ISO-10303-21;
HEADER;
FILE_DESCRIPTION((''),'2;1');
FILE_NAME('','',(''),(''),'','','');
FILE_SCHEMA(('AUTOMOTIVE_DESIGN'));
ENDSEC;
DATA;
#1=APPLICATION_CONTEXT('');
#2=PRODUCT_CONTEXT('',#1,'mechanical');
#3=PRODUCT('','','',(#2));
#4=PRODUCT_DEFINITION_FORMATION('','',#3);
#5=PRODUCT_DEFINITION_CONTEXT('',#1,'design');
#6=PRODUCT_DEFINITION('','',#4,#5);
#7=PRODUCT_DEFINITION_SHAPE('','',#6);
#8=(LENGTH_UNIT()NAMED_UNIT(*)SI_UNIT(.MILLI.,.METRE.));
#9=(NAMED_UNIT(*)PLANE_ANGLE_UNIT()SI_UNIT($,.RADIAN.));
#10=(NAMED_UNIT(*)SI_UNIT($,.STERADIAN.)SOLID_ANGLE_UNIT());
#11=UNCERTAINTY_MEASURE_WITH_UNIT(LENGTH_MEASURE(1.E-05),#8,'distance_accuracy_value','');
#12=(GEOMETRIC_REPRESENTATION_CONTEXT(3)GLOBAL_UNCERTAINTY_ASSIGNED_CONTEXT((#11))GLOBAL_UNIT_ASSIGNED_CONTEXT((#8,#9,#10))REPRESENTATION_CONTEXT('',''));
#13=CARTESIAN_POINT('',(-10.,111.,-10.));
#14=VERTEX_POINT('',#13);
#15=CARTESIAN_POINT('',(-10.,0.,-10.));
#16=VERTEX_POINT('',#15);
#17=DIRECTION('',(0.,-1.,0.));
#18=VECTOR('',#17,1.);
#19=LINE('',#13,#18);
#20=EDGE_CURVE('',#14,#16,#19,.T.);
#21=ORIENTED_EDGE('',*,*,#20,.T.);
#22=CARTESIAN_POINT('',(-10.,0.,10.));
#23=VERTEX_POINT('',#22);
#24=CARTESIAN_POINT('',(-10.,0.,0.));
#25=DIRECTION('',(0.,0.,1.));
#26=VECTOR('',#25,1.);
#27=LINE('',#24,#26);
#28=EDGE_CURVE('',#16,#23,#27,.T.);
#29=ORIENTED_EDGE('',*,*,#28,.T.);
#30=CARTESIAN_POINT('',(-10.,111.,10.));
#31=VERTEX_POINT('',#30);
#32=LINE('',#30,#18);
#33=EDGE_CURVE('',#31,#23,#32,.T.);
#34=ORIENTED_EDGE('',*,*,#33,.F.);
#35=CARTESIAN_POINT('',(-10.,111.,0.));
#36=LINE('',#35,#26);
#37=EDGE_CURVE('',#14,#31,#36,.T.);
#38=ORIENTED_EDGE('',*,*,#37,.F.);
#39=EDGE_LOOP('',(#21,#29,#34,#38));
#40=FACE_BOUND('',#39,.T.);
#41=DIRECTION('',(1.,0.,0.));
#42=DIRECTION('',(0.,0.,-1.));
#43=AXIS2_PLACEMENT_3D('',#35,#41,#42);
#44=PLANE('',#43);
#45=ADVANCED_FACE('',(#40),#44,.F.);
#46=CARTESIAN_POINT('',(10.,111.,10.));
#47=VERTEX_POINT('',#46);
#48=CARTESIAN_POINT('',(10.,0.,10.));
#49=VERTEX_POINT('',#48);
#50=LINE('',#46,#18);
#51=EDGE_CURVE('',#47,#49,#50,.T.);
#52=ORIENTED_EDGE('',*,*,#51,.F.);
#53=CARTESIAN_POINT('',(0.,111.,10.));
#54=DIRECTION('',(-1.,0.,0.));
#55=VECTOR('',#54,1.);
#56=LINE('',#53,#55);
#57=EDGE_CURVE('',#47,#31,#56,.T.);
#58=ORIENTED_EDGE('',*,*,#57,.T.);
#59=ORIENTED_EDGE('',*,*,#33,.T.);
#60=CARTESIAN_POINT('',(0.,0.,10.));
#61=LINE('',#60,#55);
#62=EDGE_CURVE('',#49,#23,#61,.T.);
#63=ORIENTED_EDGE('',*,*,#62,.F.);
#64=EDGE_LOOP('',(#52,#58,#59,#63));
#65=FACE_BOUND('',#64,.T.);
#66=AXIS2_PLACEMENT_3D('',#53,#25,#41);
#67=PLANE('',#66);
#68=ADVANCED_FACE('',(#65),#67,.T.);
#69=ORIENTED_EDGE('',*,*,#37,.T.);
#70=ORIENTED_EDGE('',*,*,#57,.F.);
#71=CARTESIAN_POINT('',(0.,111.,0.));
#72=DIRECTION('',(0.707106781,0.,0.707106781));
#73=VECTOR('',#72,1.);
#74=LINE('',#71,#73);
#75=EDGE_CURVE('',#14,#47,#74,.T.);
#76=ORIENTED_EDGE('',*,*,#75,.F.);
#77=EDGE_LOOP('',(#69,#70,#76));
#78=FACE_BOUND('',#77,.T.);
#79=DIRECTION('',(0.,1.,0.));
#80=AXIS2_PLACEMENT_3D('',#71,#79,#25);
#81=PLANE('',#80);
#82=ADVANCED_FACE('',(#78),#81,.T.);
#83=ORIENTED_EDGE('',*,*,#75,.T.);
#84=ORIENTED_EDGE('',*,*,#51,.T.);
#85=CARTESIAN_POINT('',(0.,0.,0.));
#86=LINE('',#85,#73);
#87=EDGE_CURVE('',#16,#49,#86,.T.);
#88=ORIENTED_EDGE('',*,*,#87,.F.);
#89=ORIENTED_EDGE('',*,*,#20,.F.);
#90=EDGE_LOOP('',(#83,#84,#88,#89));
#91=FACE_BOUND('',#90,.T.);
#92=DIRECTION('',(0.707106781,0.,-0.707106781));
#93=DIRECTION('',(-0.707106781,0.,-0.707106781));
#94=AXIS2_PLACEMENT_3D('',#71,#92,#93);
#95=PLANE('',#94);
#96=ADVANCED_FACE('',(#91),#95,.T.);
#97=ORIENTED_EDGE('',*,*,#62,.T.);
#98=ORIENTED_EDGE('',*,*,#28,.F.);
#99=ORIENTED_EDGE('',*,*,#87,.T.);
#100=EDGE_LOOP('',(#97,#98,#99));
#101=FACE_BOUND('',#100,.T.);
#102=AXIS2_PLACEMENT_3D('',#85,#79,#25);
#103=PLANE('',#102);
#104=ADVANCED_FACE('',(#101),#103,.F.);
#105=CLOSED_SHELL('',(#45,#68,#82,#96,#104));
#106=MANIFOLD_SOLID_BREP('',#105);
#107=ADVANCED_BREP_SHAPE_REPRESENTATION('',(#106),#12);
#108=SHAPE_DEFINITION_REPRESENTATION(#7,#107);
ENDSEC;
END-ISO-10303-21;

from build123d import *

# Parameters (mm, degrees)
BOSS_EXTRUDE1_DEPTH = 111


with BuildPart() as part:
    # Sketch2 → Boss-Extrude1 (new body)
    with BuildSketch(Plane(origin=(0, 0, 0), x_dir=(1, 0, 0), z_dir=(0, 1, 0))):
        Polygon((-10, 10), (10, -10), (-10, -10), align=None)
    extrude(amount=BOSS_EXTRUDE1_DEPTH)


solid = part.part
